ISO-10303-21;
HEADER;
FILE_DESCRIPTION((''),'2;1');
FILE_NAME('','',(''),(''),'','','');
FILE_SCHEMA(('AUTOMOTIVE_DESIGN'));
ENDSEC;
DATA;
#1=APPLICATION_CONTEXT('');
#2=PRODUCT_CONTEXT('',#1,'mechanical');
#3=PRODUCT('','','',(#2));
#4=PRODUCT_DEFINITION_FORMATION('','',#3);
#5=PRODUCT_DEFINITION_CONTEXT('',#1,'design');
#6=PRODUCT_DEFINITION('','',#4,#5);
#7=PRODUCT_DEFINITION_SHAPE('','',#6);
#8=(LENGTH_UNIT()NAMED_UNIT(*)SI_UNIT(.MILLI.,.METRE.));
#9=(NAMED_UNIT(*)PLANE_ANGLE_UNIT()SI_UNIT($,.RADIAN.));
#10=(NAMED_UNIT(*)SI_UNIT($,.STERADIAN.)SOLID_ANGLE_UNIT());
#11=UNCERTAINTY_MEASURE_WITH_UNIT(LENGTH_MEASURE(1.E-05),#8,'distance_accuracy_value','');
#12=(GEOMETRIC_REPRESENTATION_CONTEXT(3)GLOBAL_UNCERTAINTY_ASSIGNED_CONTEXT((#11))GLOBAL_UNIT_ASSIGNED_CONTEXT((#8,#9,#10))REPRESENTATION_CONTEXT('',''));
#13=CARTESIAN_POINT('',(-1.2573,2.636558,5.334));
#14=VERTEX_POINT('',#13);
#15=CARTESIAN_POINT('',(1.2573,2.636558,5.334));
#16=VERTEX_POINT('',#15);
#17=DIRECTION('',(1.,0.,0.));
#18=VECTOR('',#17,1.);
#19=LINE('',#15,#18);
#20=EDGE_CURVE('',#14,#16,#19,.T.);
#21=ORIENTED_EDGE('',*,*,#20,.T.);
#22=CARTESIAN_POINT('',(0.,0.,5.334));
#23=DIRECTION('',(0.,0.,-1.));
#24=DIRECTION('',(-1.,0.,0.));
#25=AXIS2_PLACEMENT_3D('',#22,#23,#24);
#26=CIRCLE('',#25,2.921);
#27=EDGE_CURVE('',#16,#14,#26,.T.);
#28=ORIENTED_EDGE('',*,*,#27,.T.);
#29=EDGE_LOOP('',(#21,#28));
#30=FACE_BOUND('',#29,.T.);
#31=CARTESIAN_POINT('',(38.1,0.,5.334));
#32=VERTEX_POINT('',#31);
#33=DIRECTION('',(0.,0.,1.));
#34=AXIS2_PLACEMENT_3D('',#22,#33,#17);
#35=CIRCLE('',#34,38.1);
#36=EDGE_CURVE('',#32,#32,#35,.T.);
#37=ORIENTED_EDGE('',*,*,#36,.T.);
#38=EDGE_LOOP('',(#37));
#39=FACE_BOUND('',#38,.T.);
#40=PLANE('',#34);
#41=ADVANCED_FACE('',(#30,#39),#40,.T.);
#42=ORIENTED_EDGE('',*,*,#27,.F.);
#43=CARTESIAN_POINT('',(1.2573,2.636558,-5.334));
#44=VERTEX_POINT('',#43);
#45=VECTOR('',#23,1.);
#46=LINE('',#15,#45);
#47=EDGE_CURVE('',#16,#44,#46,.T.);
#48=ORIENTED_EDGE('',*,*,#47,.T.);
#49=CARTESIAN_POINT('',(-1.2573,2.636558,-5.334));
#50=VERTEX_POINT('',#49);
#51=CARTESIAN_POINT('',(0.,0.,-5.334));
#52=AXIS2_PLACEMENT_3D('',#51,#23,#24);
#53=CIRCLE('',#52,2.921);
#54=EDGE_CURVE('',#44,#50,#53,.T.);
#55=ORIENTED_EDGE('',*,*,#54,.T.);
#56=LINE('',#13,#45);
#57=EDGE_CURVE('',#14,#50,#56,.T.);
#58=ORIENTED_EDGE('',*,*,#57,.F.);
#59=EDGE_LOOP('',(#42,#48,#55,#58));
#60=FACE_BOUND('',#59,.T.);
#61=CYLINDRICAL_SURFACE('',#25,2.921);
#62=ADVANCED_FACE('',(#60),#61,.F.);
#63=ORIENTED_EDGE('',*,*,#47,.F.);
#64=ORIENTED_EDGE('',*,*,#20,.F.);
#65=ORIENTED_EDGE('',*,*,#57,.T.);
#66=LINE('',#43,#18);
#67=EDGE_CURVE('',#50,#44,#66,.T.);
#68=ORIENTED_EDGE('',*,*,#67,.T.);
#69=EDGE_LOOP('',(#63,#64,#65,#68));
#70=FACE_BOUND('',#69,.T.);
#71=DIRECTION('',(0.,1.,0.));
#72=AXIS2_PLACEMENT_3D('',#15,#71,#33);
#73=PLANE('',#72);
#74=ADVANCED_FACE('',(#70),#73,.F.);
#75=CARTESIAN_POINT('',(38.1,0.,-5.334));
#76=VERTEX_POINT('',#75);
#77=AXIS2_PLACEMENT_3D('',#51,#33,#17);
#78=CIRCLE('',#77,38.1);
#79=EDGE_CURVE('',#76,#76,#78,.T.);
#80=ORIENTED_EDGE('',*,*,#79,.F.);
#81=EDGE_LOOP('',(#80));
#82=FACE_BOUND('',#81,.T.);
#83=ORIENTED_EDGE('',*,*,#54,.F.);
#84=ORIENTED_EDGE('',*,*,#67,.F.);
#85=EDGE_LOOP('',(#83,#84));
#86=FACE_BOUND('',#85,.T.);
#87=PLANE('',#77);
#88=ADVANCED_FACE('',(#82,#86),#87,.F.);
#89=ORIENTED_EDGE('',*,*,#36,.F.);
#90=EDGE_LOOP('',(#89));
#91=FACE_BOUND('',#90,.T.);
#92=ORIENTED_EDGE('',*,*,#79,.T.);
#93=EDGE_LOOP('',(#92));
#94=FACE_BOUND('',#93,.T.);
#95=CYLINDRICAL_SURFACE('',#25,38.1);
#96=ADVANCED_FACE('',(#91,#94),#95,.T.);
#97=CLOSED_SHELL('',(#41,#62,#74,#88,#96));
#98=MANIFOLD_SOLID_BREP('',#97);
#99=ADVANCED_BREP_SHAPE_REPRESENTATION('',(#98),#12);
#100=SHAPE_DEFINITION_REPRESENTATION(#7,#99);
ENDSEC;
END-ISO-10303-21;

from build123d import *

# Parameters (mm, degrees)
SKETCH1_R           = 38.1
BOSS_EXTRUDE1_DEPTH = 5.334
CUT_EXTRUDE1_DEPTH  = 55.927463295


with BuildPart() as part:
    # Sketch1 → Boss-Extrude1 (new, symmetric)
    with BuildSketch(Plane.XY):
        Circle(SKETCH1_R)
    extrude(amount=BOSS_EXTRUDE1_DEPTH, both=True)

    # Sketch2 → Cut-Extrude1 (cut, through all)
    with BuildSketch(Plane(origin=(0, 0, -5.334), x_dir=(-1, 0, 0), z_dir=(0, 0, -1))):
        with BuildLine():
            Line((-1.2573, 2.636557928), (1.2573, 2.636557928))
            ThreePointArc((1.2573, 2.636557928), (0, -2.921), (-1.2573, 2.636557928))
        make_face()
    extrude(amount=-CUT_EXTRUDE1_DEPTH, mode=Mode.SUBTRACT)


solid = part.part
